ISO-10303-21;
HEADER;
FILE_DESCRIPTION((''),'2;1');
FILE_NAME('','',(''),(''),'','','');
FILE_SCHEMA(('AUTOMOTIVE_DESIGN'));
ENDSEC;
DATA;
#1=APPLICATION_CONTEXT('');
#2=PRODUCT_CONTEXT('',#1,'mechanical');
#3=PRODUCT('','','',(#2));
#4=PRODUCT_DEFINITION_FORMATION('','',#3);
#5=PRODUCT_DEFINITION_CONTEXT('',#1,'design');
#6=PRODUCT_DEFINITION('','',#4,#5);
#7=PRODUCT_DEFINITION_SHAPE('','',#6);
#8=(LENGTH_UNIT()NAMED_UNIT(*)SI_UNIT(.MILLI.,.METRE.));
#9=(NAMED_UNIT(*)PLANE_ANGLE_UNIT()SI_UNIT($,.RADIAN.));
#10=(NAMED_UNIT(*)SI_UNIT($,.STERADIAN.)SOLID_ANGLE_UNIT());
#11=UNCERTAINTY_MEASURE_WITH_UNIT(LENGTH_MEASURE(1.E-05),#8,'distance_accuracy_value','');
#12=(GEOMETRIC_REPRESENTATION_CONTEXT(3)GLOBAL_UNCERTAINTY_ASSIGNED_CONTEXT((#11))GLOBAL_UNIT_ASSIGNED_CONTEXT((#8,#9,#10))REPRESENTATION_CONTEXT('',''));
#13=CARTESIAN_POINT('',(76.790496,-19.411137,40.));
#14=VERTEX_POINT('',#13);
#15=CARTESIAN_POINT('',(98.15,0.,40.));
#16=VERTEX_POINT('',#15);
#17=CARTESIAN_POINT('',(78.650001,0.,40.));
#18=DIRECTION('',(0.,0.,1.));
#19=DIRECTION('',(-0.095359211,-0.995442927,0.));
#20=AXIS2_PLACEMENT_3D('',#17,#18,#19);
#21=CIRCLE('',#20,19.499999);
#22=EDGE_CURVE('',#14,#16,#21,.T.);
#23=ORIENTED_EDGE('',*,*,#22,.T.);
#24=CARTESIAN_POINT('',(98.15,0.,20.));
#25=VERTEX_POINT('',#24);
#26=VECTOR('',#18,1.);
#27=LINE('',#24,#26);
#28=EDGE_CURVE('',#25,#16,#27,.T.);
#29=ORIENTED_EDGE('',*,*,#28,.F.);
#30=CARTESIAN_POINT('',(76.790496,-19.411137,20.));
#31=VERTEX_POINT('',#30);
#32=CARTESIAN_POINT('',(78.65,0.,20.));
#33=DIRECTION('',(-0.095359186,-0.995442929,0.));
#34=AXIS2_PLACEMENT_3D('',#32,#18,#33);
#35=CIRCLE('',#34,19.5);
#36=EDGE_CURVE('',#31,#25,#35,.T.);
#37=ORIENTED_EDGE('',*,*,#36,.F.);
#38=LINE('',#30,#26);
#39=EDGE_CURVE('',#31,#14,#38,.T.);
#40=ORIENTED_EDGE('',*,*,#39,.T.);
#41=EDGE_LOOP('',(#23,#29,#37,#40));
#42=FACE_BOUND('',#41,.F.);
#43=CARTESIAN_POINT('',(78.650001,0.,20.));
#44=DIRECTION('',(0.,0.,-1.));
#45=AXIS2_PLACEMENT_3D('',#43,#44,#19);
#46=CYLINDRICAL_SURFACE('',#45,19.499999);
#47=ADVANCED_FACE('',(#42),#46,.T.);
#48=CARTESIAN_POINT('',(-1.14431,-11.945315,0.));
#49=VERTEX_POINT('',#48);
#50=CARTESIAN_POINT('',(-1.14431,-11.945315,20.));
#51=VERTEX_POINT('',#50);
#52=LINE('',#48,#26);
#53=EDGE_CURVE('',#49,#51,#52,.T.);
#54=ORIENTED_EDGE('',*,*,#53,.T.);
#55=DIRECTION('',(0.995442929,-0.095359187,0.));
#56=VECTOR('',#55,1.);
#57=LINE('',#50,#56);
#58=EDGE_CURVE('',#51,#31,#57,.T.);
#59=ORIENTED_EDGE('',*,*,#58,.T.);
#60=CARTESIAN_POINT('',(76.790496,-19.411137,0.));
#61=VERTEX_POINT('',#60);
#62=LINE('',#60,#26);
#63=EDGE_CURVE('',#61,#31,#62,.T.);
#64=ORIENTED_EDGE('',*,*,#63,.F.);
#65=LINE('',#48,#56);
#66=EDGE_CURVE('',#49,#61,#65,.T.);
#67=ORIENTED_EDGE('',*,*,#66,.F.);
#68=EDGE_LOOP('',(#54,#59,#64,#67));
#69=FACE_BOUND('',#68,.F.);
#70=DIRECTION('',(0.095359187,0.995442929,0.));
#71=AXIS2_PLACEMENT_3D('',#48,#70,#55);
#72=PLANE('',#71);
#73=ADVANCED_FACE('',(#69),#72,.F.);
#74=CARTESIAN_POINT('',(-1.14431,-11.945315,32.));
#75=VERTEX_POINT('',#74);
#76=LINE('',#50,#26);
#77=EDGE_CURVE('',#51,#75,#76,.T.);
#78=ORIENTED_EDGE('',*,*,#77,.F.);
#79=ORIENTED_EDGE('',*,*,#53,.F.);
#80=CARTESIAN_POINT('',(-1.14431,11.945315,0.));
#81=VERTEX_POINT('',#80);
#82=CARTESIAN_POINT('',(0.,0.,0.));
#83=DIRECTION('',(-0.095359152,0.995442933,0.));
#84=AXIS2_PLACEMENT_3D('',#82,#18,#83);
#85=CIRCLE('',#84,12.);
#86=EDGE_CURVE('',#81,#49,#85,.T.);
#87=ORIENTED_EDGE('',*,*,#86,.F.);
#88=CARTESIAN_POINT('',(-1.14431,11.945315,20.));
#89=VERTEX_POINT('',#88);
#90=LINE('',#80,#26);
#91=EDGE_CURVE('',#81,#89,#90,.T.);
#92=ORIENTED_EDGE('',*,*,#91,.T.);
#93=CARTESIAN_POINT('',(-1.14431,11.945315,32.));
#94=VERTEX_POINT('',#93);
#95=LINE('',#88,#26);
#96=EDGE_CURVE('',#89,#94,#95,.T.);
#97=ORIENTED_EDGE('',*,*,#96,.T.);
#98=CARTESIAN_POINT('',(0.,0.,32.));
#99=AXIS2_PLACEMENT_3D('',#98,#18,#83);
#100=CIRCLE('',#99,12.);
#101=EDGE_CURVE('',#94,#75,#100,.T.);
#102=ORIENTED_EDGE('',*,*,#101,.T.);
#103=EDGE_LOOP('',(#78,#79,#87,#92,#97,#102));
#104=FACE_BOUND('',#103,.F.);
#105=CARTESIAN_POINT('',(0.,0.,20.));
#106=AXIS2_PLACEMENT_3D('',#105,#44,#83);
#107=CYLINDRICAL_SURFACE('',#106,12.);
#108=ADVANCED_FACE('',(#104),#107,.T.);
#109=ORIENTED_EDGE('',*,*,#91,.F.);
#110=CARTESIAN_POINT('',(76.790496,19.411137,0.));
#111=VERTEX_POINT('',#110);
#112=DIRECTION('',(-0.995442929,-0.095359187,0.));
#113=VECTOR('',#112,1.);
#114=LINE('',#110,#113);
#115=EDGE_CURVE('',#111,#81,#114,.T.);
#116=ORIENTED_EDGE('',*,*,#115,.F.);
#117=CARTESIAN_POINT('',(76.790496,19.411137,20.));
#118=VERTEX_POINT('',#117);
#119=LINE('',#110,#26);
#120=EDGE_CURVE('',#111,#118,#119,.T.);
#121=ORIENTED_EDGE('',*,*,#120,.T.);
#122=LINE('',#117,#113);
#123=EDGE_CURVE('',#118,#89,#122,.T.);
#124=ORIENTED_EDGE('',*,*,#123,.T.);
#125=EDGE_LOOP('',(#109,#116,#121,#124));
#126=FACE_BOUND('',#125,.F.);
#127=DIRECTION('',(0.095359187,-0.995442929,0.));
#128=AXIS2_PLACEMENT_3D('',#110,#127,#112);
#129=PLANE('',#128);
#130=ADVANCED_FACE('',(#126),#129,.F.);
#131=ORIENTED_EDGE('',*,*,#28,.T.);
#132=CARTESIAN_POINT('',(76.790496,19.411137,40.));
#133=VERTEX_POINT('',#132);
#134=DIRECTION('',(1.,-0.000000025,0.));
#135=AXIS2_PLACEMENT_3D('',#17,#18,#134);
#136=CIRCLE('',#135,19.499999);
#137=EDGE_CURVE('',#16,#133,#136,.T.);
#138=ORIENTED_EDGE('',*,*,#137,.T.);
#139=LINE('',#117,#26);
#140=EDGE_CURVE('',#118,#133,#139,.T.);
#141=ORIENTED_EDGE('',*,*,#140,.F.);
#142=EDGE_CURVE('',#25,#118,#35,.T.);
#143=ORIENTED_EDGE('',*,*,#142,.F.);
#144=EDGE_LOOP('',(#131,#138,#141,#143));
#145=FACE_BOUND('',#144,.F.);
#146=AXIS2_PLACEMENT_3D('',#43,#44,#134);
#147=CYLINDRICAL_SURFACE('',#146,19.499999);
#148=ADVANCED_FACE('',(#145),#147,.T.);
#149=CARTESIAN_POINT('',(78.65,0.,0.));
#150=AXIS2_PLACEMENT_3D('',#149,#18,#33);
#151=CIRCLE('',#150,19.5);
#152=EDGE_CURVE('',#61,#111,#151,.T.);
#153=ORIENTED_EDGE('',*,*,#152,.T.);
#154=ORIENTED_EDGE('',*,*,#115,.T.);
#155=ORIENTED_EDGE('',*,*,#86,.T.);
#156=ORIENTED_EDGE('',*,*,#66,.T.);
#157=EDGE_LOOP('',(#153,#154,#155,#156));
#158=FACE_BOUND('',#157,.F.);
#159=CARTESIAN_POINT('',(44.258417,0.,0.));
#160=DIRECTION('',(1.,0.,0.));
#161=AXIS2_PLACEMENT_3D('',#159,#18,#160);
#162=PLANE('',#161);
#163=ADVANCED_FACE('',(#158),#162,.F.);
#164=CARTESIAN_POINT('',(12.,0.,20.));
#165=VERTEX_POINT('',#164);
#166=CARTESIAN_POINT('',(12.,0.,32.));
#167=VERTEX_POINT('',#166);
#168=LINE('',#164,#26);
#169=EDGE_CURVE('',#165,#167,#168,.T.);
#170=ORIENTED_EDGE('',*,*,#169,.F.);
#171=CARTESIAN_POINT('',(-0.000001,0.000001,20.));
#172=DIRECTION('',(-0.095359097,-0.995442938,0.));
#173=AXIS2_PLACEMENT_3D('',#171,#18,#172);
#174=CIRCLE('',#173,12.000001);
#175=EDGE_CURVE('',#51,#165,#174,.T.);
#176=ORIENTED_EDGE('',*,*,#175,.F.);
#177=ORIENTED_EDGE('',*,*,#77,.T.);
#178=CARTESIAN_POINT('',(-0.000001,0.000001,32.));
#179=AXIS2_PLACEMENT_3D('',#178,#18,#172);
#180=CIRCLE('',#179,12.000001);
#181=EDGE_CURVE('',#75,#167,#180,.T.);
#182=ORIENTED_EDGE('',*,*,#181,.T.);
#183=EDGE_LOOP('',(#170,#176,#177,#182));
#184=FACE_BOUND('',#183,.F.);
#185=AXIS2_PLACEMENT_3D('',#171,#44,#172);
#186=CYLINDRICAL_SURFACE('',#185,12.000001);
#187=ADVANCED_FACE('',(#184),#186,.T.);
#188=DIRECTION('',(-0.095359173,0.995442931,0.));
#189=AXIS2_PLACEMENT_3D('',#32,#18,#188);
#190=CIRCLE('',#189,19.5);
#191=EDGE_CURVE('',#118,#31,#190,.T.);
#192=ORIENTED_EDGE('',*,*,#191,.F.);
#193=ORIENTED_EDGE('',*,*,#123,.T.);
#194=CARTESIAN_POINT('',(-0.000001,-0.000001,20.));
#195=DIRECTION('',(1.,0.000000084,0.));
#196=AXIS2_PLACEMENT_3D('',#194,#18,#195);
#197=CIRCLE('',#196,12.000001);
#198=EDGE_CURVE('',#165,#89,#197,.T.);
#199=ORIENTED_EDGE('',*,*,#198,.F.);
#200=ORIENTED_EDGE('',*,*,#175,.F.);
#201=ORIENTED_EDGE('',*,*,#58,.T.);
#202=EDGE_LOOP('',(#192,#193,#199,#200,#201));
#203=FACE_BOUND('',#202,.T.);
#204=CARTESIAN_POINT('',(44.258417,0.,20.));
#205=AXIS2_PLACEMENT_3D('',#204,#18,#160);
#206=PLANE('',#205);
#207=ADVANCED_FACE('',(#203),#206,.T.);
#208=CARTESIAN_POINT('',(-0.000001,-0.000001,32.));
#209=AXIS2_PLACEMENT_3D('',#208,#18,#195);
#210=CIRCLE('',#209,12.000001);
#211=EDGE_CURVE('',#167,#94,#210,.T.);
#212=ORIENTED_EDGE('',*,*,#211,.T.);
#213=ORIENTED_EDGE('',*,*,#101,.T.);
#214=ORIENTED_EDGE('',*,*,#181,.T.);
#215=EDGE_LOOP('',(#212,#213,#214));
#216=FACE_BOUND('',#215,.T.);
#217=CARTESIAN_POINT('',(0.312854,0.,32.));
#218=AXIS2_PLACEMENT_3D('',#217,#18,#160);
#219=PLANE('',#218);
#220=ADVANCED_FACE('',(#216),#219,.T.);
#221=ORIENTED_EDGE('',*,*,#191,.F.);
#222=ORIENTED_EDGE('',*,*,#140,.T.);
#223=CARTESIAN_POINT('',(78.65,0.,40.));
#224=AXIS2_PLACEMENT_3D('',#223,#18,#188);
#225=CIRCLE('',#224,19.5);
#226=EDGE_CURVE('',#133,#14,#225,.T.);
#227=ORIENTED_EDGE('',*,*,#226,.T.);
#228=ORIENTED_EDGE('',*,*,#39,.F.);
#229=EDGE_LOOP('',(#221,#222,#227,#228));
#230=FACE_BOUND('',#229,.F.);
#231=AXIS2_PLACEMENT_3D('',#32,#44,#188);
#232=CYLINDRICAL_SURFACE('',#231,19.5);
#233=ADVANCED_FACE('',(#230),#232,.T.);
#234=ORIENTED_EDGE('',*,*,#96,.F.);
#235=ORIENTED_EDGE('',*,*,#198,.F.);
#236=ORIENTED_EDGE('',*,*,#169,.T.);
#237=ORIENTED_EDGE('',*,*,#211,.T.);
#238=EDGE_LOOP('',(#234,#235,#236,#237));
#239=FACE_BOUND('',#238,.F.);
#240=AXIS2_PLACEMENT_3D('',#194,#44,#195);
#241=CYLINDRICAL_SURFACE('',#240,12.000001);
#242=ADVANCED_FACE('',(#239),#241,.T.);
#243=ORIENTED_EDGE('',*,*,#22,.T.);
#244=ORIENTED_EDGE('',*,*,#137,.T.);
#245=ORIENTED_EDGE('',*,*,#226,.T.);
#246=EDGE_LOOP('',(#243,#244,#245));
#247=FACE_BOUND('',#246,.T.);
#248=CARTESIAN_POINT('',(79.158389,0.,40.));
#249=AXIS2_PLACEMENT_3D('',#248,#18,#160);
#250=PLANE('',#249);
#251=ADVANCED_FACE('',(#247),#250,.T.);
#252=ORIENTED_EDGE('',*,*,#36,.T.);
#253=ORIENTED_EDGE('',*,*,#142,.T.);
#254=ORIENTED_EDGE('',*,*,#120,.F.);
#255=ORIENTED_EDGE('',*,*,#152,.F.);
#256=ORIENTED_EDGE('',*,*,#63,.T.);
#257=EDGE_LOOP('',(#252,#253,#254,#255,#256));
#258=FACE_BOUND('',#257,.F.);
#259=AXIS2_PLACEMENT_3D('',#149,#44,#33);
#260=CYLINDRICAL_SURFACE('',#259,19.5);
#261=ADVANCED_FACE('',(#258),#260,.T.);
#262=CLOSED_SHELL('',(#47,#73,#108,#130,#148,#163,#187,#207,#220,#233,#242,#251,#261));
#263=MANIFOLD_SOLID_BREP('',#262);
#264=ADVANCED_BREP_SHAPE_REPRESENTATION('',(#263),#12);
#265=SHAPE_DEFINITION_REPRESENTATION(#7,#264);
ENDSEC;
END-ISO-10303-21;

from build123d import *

# Parameters (mm, degrees)
F1_DEPTH = 20
F3_DEPTH = 20
F5_DEPTH = 12


with BuildPart() as f1:
    # F0 (on Top) → F1 (new body)
    with BuildSketch(Plane.XY):
        with BuildLine():
            Line((76.790496, 19.411137), (-1.14431, 11.945315))
            ThreePointArc((-1.14431, 11.945315), (-12, 0), (-1.14431, -11.945315))
            Line((-1.14431, -11.945315), (76.790496, -19.411137))
            ThreePointArc((76.790496, -19.411137), (98.15, 0), (76.790496, 19.411137))
        make_face()
    extrude(amount=F1_DEPTH)

    # F2 (on face) → F3 (join)
    with BuildSketch(Plane.XY.offset(20)):
        with BuildLine():
            ThreePointArc((76.790496, -19.411137), (91.76468, -14.431049), (98.15, 0))
            ThreePointArc((98.15, 0), (91.76468, 14.431049), (76.790496, 19.411137))
            ThreePointArc((76.790496, 19.411137), (59.15, 0), (76.790496, -19.411137))
        make_face()
    extrude(amount=F3_DEPTH)

    # F4 (on face) → F5 (join)
    with BuildSketch(Plane.XY.offset(20)):
        with BuildLine():
            ThreePointArc((-1.14431, -11.945315), (8.070572, -8.880645), (12, 0))
            ThreePointArc((12, 0), (8.070572, 8.880645), (-1.14431, 11.945315))
            ThreePointArc((-1.14431, 11.945315), (-12, 0), (-1.14431, -11.945315))
        make_face()
    extrude(amount=F5_DEPTH)


solid = f1.part
